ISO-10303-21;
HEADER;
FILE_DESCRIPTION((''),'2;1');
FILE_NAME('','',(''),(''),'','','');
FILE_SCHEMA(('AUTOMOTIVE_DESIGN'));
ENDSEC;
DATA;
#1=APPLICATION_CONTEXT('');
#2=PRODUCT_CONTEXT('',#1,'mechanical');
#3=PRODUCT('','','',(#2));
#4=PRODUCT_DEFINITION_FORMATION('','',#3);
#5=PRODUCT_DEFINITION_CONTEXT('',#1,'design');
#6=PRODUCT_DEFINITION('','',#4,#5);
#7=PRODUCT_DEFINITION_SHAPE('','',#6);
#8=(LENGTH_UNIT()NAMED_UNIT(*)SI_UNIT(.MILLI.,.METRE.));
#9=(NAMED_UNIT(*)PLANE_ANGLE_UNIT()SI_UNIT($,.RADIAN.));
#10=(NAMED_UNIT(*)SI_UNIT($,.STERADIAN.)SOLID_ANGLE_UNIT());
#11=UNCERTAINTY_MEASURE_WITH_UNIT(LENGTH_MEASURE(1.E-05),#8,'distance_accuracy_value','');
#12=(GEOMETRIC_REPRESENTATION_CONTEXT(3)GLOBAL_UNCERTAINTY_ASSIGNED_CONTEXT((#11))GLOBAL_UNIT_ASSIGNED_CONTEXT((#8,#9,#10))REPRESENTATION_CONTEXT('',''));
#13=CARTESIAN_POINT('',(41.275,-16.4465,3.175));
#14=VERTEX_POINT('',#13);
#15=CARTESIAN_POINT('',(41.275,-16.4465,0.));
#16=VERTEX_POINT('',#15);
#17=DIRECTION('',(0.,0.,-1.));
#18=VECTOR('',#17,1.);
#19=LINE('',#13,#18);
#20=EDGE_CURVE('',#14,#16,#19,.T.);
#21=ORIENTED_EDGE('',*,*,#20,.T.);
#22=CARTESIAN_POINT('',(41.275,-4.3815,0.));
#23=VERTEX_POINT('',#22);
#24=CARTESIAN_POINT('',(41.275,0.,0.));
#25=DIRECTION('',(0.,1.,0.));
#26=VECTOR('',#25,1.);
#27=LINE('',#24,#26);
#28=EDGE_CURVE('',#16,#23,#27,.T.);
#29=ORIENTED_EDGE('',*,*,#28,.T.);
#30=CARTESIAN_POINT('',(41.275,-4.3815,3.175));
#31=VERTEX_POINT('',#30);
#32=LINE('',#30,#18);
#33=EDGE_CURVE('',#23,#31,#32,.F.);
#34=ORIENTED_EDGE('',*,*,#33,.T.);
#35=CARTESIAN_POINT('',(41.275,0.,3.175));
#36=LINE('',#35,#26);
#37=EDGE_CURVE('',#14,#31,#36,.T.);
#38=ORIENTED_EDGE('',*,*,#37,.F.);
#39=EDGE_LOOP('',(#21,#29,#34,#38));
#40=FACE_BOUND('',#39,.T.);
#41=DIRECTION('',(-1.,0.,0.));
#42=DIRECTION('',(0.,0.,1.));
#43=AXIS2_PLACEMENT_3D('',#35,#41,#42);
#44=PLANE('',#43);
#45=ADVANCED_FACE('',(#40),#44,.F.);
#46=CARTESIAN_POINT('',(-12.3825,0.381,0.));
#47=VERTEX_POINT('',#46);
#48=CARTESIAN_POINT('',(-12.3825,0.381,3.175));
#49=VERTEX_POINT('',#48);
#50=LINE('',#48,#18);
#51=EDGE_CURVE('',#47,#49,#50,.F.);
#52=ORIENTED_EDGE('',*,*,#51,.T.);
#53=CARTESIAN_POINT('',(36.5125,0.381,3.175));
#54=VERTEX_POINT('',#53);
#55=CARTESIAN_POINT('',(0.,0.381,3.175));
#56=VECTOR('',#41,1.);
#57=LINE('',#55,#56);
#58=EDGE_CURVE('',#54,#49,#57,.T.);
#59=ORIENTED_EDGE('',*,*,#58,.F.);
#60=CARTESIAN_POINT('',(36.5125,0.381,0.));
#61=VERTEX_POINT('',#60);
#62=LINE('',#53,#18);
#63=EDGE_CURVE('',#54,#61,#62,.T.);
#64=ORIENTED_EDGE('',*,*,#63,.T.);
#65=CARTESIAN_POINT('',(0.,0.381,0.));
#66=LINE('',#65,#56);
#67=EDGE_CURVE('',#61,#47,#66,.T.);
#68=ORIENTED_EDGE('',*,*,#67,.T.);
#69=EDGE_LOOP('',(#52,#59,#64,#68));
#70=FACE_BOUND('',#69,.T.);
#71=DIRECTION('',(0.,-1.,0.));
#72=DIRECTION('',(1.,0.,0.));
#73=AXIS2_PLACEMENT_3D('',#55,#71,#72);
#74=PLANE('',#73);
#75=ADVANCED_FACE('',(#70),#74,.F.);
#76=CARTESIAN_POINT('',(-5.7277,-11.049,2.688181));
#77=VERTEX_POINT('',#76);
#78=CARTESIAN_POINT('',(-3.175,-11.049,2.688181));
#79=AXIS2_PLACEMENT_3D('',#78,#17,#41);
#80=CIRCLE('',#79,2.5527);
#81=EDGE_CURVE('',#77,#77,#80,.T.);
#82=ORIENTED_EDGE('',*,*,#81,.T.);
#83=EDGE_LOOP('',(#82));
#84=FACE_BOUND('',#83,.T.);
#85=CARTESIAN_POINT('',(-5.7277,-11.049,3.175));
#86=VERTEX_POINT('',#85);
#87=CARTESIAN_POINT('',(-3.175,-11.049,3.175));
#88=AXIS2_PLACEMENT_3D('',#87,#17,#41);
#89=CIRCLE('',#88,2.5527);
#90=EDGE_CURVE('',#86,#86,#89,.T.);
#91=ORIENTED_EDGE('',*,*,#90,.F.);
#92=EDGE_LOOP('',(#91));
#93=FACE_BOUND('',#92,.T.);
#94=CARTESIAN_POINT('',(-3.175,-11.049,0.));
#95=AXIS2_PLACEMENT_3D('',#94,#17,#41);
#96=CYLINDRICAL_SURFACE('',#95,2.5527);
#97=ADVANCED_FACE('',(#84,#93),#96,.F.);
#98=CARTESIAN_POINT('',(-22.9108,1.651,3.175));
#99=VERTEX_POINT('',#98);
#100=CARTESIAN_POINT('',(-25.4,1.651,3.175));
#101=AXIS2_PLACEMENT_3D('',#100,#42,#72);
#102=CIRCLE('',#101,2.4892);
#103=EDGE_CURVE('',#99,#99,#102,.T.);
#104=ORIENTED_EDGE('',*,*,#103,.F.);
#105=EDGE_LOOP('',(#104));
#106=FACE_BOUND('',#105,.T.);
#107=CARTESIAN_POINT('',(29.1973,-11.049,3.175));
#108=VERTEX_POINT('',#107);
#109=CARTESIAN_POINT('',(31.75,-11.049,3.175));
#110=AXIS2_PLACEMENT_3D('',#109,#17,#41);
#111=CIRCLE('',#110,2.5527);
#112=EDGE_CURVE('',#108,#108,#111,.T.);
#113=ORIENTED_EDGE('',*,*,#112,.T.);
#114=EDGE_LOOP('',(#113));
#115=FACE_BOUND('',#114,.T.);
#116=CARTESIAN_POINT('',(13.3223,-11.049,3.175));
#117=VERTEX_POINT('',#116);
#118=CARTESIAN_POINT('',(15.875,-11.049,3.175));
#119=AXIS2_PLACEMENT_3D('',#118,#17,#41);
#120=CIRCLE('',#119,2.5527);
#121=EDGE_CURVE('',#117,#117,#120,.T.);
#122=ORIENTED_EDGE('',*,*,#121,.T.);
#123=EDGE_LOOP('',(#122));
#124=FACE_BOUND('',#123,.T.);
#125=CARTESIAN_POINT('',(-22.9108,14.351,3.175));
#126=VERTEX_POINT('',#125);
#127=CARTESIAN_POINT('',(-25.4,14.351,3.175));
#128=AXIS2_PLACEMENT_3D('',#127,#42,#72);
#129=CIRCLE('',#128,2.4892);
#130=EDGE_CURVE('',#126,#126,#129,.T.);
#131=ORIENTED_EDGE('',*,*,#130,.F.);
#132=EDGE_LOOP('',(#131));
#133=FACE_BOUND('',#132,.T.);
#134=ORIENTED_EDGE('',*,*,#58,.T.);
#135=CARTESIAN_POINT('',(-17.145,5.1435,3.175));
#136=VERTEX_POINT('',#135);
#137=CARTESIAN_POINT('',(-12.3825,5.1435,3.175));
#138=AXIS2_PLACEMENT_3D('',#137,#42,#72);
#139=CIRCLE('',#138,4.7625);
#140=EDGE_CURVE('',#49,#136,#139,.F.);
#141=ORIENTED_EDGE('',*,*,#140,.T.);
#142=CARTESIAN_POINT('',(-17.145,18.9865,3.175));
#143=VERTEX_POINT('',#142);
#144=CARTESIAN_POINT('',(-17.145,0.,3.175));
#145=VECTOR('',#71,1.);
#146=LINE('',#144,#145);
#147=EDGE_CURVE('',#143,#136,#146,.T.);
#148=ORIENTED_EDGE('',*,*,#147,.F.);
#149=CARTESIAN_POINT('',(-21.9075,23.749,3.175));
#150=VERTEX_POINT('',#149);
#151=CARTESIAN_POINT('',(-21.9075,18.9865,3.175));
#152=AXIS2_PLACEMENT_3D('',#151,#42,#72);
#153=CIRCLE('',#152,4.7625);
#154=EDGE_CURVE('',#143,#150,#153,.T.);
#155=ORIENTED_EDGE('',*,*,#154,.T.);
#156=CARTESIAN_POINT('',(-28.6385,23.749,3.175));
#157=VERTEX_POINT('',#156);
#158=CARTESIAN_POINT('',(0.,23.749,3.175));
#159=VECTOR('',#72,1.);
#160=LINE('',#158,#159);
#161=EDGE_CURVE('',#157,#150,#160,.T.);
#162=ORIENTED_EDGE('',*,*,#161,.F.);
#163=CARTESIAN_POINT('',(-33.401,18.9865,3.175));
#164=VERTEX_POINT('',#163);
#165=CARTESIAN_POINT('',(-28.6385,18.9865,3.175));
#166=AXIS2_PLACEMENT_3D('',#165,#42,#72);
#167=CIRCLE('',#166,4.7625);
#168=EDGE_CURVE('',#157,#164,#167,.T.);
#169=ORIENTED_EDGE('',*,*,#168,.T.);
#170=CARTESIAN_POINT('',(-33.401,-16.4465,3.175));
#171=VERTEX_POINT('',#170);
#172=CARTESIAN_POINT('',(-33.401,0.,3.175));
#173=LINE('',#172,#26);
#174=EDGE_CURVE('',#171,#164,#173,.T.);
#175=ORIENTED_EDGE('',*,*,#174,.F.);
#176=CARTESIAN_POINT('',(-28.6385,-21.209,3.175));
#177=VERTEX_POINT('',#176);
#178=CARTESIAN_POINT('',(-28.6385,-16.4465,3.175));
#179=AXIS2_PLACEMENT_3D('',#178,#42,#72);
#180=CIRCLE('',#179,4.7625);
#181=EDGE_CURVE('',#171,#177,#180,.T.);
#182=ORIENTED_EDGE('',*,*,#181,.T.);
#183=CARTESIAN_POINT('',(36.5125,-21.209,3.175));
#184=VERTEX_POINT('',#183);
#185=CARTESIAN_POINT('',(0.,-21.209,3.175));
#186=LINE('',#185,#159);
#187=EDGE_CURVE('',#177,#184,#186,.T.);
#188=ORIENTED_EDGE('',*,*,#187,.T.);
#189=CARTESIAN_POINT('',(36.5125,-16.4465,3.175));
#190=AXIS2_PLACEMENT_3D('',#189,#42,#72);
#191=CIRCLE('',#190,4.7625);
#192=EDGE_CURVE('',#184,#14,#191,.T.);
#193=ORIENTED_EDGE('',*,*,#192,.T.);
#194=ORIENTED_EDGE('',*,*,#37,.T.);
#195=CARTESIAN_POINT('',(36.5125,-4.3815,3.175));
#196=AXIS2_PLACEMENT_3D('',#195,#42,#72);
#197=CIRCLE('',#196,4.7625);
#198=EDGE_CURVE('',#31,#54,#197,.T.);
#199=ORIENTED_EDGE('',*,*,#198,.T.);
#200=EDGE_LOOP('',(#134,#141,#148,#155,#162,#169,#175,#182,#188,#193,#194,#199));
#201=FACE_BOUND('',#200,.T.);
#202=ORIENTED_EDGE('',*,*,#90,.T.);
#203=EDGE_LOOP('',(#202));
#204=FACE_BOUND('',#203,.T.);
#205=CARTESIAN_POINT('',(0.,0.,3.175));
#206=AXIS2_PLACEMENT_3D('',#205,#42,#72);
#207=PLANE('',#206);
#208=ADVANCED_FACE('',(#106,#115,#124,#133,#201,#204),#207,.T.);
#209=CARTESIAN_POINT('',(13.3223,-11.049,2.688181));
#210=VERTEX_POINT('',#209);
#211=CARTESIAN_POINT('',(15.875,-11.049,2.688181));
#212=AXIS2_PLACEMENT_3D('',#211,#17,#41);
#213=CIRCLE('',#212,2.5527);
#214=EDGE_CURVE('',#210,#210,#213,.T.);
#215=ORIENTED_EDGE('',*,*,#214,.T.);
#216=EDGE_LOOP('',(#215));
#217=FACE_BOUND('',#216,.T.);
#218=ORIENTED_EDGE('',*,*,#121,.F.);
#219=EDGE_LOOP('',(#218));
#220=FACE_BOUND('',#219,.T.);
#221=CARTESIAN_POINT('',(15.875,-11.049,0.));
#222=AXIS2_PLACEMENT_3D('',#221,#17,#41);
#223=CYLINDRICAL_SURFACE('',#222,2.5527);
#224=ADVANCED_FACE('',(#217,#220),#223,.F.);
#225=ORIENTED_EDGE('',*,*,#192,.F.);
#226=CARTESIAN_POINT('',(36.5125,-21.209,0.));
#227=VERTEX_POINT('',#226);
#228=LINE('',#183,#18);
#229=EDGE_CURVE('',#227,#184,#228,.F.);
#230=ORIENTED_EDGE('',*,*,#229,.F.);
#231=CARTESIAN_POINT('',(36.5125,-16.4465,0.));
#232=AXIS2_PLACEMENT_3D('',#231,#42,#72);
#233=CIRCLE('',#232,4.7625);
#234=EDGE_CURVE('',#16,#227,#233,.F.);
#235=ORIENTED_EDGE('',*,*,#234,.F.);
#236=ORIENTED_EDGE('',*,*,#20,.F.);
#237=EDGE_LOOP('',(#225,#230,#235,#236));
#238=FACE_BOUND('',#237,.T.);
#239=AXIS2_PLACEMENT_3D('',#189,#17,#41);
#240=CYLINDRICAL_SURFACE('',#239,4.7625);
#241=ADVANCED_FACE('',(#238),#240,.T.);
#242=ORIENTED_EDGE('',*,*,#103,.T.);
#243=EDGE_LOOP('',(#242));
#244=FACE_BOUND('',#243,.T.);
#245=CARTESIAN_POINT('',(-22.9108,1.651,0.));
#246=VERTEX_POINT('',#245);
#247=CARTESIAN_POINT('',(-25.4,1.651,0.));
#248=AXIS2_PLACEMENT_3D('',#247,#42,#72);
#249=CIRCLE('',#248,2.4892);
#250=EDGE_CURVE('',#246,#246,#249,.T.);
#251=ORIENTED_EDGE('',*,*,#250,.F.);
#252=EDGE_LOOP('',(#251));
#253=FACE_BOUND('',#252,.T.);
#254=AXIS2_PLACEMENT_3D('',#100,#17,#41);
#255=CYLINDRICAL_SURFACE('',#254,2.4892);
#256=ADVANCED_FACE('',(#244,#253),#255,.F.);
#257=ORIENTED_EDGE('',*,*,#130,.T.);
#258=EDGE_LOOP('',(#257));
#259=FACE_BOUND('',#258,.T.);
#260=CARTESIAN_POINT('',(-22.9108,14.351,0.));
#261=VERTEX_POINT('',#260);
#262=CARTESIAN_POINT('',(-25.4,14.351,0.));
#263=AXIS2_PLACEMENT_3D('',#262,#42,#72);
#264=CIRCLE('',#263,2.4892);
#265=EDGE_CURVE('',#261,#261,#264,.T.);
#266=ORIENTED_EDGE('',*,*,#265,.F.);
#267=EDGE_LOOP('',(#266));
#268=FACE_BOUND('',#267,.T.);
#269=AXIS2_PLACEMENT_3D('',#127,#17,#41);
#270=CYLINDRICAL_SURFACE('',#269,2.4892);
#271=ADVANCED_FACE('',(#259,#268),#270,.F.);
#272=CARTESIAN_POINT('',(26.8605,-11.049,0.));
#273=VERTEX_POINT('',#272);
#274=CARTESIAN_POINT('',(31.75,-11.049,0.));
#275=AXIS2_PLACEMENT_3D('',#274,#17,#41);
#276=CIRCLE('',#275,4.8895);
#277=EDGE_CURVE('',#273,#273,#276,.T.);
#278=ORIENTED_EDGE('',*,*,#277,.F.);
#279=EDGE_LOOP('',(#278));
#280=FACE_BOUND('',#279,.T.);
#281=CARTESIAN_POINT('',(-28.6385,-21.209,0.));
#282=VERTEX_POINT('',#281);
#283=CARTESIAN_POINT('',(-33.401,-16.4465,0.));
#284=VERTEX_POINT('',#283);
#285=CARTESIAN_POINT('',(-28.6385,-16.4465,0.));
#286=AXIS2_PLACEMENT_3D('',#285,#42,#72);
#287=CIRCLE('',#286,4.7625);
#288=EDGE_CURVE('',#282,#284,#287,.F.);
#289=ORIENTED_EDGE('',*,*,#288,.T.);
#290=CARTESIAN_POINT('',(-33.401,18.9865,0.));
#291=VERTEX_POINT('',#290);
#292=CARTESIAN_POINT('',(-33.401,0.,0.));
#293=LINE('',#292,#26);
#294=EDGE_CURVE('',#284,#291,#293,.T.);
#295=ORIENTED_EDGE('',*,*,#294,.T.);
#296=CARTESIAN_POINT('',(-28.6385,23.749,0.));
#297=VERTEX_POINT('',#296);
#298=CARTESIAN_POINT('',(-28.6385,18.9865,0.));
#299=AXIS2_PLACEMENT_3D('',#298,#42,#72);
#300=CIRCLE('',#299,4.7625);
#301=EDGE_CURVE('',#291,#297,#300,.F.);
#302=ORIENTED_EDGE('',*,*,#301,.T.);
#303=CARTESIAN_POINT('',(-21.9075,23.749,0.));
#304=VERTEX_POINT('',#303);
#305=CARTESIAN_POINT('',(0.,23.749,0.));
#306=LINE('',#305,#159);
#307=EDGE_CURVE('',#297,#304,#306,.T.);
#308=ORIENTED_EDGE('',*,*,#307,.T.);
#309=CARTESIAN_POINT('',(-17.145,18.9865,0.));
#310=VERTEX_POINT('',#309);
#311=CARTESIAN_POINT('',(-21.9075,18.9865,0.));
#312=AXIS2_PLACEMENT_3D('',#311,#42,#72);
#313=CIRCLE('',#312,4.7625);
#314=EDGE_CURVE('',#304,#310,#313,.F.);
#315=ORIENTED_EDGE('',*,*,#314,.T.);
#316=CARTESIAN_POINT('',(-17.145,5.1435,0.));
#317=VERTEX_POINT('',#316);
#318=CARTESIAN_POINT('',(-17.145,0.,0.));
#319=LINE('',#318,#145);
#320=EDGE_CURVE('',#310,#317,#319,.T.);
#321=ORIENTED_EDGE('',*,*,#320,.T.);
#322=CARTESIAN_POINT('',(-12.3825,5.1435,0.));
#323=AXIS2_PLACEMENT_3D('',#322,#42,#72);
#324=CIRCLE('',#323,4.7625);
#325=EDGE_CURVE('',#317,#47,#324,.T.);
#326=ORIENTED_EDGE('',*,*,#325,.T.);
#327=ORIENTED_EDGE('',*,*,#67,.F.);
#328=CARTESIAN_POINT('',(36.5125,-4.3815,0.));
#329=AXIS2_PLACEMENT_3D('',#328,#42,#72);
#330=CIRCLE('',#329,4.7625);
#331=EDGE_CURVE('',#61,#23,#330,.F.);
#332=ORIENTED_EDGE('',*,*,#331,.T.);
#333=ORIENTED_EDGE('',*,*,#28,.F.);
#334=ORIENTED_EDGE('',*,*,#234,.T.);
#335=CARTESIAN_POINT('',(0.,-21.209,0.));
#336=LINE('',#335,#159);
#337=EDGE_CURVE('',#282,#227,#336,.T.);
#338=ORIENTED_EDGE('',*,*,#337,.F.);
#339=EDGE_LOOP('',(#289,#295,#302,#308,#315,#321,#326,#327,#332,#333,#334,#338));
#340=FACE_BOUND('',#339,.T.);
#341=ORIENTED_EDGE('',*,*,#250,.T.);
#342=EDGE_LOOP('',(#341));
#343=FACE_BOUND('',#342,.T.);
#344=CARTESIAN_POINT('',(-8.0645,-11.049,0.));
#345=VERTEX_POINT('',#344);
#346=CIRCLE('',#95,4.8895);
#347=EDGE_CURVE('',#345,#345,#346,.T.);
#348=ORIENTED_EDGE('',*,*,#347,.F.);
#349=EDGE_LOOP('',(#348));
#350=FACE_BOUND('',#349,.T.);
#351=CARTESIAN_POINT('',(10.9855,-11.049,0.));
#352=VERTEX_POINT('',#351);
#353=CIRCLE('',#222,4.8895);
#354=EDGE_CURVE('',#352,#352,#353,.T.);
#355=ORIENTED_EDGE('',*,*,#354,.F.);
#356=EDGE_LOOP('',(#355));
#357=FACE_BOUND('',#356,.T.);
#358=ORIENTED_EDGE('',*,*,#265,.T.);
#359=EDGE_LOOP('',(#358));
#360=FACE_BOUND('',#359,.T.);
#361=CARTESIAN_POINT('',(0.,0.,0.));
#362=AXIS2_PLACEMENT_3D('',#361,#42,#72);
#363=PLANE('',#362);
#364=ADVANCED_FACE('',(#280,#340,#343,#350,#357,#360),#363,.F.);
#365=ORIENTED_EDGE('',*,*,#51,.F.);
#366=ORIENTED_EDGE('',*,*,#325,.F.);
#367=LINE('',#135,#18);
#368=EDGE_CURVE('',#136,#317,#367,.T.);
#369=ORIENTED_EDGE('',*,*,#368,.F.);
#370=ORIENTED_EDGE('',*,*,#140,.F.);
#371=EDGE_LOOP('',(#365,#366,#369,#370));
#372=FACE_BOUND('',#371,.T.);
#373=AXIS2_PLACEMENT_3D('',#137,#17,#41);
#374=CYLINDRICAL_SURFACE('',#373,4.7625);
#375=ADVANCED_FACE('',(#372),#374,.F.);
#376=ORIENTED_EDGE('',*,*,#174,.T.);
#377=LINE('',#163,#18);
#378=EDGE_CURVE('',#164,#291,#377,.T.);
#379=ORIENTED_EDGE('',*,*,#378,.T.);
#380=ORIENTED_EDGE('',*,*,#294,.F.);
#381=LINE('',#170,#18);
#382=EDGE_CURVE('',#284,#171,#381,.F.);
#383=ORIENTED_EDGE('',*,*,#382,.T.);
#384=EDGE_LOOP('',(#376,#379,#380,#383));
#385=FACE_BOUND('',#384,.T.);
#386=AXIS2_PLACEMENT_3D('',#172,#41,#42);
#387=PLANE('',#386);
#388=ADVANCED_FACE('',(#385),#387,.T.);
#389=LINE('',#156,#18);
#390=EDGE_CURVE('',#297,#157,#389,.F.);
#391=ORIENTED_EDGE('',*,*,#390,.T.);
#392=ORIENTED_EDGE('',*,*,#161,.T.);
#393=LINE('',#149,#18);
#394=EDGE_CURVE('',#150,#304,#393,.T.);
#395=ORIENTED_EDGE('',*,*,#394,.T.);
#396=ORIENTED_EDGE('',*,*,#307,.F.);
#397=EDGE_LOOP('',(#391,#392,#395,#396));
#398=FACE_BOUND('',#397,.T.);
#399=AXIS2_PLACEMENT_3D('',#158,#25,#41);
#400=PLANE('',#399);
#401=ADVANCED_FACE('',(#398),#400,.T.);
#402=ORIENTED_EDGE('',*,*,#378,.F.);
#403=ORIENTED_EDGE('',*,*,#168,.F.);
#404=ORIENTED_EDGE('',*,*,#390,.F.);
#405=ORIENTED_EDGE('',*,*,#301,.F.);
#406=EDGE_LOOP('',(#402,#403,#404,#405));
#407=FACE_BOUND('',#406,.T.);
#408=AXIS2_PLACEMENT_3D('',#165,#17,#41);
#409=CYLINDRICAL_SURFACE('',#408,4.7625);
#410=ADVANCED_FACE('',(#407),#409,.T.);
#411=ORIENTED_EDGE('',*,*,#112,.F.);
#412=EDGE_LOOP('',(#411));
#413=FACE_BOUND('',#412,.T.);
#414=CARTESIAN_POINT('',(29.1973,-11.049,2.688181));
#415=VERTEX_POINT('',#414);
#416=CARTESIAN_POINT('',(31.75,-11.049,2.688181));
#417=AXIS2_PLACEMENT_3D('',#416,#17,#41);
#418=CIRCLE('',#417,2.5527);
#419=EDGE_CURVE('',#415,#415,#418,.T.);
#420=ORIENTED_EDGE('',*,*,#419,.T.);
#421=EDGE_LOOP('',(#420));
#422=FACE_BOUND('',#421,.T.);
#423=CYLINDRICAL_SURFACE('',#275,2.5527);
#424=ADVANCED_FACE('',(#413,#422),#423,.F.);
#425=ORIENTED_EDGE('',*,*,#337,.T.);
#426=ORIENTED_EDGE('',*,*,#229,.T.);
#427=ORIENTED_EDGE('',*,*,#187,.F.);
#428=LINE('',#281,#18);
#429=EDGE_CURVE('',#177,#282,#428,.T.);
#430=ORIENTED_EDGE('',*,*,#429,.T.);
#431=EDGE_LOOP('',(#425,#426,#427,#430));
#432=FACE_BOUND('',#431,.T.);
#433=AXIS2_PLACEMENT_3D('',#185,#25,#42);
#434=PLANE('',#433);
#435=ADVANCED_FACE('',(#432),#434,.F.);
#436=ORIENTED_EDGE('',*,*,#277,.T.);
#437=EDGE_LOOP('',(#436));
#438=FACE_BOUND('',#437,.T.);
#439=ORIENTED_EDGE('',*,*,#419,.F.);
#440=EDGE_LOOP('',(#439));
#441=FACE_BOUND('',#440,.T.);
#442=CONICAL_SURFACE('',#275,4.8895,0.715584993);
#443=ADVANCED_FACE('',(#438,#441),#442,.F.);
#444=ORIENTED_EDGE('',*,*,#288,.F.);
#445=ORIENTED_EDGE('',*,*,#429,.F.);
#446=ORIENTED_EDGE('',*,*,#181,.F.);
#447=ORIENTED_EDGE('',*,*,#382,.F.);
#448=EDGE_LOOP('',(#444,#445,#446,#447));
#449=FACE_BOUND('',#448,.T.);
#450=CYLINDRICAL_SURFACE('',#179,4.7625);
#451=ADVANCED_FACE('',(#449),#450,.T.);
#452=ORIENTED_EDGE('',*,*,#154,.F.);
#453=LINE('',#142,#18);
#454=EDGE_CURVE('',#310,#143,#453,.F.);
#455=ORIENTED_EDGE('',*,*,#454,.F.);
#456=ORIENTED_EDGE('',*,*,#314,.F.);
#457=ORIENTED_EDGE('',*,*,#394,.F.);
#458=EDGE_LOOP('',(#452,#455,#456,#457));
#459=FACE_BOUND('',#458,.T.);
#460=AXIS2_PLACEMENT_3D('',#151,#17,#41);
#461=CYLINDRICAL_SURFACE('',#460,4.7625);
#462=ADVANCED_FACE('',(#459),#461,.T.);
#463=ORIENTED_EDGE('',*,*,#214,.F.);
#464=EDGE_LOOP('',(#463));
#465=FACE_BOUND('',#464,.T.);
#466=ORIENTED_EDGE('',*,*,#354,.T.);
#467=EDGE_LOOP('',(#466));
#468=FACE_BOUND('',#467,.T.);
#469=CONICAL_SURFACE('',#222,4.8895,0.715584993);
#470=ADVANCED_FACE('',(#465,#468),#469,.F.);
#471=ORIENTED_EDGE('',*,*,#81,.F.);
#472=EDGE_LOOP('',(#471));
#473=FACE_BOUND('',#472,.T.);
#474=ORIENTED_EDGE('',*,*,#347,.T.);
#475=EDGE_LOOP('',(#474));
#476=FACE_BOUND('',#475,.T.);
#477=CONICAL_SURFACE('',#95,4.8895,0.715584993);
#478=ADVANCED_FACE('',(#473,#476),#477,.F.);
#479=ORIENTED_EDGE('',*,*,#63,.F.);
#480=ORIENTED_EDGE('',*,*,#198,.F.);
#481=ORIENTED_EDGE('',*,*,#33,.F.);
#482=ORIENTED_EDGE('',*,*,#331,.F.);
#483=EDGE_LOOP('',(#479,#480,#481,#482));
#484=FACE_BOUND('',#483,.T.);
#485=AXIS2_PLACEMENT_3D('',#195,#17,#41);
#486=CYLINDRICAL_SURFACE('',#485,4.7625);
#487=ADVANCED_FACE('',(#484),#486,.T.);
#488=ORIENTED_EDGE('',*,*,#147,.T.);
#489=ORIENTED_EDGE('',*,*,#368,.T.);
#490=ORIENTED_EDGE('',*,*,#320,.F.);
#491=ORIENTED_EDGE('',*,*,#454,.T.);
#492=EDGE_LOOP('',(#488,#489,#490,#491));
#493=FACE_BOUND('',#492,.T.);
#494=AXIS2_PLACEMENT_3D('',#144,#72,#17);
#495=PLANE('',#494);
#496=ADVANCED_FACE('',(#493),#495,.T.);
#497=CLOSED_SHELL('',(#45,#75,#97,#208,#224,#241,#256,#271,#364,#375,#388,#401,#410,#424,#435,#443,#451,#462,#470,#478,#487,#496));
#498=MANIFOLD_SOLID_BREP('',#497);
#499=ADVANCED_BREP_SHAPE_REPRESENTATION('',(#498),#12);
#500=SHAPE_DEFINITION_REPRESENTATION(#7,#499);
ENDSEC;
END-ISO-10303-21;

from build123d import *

# Parameters (mm, degrees)
SKETCH1_R                                    = 2.4892
BOSS_EXTRUDE1_DEPTH                          = 3.175
FILLET1_R                                    = 4.7625
CSK_FOR_10_FLAT_HEAD_MACHINE_SCREW3_AT_COUNT = 2
CSK_FOR_10_FLAT_HEAD_MACHINE_SCREW3_AT_PITCH = 15.875
CSK_FOR_10_FLAT_HEAD_MACHINE_SCREW3_2_COUNT  = 2
CSK_FOR_10_FLAT_HEAD_MACHINE_SCREW3_2_PITCH  = 34.925


with BuildPart() as part:
    # Sketch1 → Boss-Extrude1 (new body)
    with BuildSketch(Plane.XY):
        Polygon((-33.401, 23.749), (-33.401, -21.209), (41.275, -21.209), (41.275, 0.381), (-17.145, 0.381), (-17.145, 23.749), align=None)
        with Locations((-25.4, -11.049)):
            Circle(SKETCH1_R, mode=Mode.SUBTRACT)
        with Locations((-25.4, 1.651)):
            Circle(SKETCH1_R, mode=Mode.SUBTRACT)
        with Locations((-25.4, 14.351)):
            Circle(SKETCH1_R, mode=Mode.SUBTRACT)
        with Locations((-25.4, -11.049)):
            Circle(SKETCH1_R)
    extrude(amount=BOSS_EXTRUDE1_DEPTH)

    # Fillet1
    fillet1_edges = [part.edges().sort_by_distance(p)[0] for p in [
        (-33.401, 23.749, 1.5875),
        (-17.145, 23.749, 1.5875),
        (-17.145, 0.381, 1.5875),
        (41.275, 0.381, 1.5875),
        (41.275, -21.209, 1.5875),
        (-33.401, -21.209, 1.5875),
    ]]
    fillet(fillet1_edges, radius=FILLET1_R)

    # Sketch7 → CSK for #10 Flat Head Machine Screw3 (revolve, cut)
    with BuildSketch(Plane(origin=(31.75, -11.049, 0), x_dir=(0, 1, 0), z_dir=(1, 0, 0))):
        Polygon((0, 0), (0, 3.175), (2.5527, 3.175), (2.5527, 2.688180894), (4.8895, 0), align=None)
    csk_for_10_flat_head_machine_screw3 = revolve(axis=Axis((31.75, -11.049, -6.35), (0, 0, 1)), mode=Mode.SUBTRACT)

    # CSK for #10 Flat Head Machine Screw3 at: CSK for #10 Flat Head Machine Screw3 ×2
    with Locations(*[(-i * CSK_FOR_10_FLAT_HEAD_MACHINE_SCREW3_AT_PITCH, 0, 0) for i in range(1, CSK_FOR_10_FLAT_HEAD_MACHINE_SCREW3_AT_COUNT)]):
        add(csk_for_10_flat_head_machine_screw3, mode=Mode.SUBTRACT)

    # CSK for _10 Flat Head Machine Screw3 2: CSK for #10 Flat Head Machine Screw3 ×2
    with Locations(*[(-i * CSK_FOR_10_FLAT_HEAD_MACHINE_SCREW3_2_PITCH, 0, 0) for i in range(1, CSK_FOR_10_FLAT_HEAD_MACHINE_SCREW3_2_COUNT)]):
        add(csk_for_10_flat_head_machine_screw3, mode=Mode.SUBTRACT)


solid = part.part
